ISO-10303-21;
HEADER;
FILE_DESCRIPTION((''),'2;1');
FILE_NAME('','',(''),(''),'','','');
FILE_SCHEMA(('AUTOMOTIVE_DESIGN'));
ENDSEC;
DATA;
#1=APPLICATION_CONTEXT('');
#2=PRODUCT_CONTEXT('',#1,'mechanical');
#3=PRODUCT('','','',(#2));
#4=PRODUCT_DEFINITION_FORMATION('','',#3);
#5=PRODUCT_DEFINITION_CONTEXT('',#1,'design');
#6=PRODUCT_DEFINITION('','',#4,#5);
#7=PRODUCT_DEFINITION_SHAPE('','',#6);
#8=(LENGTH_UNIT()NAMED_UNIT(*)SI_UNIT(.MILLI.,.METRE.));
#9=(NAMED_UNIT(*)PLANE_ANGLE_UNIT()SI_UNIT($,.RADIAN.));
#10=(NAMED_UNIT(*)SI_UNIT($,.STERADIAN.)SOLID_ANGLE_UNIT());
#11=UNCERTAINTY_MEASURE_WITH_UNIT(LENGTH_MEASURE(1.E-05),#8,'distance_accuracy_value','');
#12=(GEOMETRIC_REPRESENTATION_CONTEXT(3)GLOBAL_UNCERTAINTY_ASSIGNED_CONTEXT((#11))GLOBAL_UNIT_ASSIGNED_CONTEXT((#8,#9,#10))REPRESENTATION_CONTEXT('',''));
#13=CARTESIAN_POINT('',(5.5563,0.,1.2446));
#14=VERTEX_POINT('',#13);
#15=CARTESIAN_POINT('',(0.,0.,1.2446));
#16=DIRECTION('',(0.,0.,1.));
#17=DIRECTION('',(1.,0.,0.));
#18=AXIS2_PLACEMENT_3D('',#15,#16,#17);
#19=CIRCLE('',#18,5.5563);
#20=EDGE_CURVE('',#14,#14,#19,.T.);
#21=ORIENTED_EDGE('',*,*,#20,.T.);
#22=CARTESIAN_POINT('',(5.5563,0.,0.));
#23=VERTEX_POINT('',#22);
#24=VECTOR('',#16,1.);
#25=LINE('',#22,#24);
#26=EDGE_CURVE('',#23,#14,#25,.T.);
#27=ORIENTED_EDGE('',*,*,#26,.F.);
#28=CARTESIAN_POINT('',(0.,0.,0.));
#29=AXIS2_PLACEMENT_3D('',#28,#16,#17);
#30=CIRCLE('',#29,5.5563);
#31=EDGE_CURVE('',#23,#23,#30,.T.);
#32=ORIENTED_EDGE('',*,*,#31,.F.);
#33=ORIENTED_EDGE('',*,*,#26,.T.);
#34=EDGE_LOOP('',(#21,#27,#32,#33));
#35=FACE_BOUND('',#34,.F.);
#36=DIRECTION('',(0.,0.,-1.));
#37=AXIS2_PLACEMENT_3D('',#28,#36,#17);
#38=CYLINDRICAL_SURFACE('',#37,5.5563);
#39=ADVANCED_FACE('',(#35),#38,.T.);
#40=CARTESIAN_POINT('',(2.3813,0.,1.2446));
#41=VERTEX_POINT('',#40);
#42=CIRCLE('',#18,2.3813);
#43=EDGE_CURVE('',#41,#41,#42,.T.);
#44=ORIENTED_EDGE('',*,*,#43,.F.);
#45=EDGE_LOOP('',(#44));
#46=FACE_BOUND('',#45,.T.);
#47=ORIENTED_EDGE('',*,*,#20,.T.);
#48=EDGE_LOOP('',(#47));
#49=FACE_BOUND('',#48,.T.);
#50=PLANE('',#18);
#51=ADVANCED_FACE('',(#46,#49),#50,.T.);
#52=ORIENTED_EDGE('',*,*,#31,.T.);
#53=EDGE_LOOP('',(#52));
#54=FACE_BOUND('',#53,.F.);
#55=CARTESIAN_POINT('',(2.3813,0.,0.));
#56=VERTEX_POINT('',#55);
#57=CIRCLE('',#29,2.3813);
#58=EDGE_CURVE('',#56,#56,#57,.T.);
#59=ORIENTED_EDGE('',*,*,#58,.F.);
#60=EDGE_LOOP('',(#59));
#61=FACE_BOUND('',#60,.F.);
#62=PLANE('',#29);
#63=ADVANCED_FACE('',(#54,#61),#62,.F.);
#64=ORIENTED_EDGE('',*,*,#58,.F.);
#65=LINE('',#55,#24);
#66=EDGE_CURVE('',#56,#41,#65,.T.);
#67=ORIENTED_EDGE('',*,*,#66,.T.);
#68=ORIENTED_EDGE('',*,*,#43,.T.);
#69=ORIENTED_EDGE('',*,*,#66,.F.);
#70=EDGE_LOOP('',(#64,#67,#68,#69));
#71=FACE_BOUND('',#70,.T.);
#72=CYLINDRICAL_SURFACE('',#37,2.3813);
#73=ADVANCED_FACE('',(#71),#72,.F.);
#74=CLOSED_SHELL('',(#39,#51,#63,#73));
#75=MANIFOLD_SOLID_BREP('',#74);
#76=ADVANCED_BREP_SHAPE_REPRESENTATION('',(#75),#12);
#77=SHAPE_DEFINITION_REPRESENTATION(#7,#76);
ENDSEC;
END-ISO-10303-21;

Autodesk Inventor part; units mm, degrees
ref_plane "YZ Plane" through (0, 0, 0) normal (1, 0, 0) x (0, 1, 0)
ref_plane "XZ Plane" through (0, 0, 0) normal (0, 1, 0) x (-1, 0, 0)
ref_plane "XY Plane" through (0, 0, 0) normal (0, 0, 1) x (1, 0, 0)
sketch "Sketch1" plane through (0, 0, 0) normal (0, 0, 1) x (1, 0, 0)
  circle A0 centre (0, 0) radius 2.3813
  circle A1 centre (0, 0) radius 5.5563
  dimension "d0" = 4.7625
  dimension "d1" = 11.1125
extrude "Extrusion1" add sketch "Sketch1" along normal blind 1.2446
properties part number "3-16in_7-16in_washer(num8)"
